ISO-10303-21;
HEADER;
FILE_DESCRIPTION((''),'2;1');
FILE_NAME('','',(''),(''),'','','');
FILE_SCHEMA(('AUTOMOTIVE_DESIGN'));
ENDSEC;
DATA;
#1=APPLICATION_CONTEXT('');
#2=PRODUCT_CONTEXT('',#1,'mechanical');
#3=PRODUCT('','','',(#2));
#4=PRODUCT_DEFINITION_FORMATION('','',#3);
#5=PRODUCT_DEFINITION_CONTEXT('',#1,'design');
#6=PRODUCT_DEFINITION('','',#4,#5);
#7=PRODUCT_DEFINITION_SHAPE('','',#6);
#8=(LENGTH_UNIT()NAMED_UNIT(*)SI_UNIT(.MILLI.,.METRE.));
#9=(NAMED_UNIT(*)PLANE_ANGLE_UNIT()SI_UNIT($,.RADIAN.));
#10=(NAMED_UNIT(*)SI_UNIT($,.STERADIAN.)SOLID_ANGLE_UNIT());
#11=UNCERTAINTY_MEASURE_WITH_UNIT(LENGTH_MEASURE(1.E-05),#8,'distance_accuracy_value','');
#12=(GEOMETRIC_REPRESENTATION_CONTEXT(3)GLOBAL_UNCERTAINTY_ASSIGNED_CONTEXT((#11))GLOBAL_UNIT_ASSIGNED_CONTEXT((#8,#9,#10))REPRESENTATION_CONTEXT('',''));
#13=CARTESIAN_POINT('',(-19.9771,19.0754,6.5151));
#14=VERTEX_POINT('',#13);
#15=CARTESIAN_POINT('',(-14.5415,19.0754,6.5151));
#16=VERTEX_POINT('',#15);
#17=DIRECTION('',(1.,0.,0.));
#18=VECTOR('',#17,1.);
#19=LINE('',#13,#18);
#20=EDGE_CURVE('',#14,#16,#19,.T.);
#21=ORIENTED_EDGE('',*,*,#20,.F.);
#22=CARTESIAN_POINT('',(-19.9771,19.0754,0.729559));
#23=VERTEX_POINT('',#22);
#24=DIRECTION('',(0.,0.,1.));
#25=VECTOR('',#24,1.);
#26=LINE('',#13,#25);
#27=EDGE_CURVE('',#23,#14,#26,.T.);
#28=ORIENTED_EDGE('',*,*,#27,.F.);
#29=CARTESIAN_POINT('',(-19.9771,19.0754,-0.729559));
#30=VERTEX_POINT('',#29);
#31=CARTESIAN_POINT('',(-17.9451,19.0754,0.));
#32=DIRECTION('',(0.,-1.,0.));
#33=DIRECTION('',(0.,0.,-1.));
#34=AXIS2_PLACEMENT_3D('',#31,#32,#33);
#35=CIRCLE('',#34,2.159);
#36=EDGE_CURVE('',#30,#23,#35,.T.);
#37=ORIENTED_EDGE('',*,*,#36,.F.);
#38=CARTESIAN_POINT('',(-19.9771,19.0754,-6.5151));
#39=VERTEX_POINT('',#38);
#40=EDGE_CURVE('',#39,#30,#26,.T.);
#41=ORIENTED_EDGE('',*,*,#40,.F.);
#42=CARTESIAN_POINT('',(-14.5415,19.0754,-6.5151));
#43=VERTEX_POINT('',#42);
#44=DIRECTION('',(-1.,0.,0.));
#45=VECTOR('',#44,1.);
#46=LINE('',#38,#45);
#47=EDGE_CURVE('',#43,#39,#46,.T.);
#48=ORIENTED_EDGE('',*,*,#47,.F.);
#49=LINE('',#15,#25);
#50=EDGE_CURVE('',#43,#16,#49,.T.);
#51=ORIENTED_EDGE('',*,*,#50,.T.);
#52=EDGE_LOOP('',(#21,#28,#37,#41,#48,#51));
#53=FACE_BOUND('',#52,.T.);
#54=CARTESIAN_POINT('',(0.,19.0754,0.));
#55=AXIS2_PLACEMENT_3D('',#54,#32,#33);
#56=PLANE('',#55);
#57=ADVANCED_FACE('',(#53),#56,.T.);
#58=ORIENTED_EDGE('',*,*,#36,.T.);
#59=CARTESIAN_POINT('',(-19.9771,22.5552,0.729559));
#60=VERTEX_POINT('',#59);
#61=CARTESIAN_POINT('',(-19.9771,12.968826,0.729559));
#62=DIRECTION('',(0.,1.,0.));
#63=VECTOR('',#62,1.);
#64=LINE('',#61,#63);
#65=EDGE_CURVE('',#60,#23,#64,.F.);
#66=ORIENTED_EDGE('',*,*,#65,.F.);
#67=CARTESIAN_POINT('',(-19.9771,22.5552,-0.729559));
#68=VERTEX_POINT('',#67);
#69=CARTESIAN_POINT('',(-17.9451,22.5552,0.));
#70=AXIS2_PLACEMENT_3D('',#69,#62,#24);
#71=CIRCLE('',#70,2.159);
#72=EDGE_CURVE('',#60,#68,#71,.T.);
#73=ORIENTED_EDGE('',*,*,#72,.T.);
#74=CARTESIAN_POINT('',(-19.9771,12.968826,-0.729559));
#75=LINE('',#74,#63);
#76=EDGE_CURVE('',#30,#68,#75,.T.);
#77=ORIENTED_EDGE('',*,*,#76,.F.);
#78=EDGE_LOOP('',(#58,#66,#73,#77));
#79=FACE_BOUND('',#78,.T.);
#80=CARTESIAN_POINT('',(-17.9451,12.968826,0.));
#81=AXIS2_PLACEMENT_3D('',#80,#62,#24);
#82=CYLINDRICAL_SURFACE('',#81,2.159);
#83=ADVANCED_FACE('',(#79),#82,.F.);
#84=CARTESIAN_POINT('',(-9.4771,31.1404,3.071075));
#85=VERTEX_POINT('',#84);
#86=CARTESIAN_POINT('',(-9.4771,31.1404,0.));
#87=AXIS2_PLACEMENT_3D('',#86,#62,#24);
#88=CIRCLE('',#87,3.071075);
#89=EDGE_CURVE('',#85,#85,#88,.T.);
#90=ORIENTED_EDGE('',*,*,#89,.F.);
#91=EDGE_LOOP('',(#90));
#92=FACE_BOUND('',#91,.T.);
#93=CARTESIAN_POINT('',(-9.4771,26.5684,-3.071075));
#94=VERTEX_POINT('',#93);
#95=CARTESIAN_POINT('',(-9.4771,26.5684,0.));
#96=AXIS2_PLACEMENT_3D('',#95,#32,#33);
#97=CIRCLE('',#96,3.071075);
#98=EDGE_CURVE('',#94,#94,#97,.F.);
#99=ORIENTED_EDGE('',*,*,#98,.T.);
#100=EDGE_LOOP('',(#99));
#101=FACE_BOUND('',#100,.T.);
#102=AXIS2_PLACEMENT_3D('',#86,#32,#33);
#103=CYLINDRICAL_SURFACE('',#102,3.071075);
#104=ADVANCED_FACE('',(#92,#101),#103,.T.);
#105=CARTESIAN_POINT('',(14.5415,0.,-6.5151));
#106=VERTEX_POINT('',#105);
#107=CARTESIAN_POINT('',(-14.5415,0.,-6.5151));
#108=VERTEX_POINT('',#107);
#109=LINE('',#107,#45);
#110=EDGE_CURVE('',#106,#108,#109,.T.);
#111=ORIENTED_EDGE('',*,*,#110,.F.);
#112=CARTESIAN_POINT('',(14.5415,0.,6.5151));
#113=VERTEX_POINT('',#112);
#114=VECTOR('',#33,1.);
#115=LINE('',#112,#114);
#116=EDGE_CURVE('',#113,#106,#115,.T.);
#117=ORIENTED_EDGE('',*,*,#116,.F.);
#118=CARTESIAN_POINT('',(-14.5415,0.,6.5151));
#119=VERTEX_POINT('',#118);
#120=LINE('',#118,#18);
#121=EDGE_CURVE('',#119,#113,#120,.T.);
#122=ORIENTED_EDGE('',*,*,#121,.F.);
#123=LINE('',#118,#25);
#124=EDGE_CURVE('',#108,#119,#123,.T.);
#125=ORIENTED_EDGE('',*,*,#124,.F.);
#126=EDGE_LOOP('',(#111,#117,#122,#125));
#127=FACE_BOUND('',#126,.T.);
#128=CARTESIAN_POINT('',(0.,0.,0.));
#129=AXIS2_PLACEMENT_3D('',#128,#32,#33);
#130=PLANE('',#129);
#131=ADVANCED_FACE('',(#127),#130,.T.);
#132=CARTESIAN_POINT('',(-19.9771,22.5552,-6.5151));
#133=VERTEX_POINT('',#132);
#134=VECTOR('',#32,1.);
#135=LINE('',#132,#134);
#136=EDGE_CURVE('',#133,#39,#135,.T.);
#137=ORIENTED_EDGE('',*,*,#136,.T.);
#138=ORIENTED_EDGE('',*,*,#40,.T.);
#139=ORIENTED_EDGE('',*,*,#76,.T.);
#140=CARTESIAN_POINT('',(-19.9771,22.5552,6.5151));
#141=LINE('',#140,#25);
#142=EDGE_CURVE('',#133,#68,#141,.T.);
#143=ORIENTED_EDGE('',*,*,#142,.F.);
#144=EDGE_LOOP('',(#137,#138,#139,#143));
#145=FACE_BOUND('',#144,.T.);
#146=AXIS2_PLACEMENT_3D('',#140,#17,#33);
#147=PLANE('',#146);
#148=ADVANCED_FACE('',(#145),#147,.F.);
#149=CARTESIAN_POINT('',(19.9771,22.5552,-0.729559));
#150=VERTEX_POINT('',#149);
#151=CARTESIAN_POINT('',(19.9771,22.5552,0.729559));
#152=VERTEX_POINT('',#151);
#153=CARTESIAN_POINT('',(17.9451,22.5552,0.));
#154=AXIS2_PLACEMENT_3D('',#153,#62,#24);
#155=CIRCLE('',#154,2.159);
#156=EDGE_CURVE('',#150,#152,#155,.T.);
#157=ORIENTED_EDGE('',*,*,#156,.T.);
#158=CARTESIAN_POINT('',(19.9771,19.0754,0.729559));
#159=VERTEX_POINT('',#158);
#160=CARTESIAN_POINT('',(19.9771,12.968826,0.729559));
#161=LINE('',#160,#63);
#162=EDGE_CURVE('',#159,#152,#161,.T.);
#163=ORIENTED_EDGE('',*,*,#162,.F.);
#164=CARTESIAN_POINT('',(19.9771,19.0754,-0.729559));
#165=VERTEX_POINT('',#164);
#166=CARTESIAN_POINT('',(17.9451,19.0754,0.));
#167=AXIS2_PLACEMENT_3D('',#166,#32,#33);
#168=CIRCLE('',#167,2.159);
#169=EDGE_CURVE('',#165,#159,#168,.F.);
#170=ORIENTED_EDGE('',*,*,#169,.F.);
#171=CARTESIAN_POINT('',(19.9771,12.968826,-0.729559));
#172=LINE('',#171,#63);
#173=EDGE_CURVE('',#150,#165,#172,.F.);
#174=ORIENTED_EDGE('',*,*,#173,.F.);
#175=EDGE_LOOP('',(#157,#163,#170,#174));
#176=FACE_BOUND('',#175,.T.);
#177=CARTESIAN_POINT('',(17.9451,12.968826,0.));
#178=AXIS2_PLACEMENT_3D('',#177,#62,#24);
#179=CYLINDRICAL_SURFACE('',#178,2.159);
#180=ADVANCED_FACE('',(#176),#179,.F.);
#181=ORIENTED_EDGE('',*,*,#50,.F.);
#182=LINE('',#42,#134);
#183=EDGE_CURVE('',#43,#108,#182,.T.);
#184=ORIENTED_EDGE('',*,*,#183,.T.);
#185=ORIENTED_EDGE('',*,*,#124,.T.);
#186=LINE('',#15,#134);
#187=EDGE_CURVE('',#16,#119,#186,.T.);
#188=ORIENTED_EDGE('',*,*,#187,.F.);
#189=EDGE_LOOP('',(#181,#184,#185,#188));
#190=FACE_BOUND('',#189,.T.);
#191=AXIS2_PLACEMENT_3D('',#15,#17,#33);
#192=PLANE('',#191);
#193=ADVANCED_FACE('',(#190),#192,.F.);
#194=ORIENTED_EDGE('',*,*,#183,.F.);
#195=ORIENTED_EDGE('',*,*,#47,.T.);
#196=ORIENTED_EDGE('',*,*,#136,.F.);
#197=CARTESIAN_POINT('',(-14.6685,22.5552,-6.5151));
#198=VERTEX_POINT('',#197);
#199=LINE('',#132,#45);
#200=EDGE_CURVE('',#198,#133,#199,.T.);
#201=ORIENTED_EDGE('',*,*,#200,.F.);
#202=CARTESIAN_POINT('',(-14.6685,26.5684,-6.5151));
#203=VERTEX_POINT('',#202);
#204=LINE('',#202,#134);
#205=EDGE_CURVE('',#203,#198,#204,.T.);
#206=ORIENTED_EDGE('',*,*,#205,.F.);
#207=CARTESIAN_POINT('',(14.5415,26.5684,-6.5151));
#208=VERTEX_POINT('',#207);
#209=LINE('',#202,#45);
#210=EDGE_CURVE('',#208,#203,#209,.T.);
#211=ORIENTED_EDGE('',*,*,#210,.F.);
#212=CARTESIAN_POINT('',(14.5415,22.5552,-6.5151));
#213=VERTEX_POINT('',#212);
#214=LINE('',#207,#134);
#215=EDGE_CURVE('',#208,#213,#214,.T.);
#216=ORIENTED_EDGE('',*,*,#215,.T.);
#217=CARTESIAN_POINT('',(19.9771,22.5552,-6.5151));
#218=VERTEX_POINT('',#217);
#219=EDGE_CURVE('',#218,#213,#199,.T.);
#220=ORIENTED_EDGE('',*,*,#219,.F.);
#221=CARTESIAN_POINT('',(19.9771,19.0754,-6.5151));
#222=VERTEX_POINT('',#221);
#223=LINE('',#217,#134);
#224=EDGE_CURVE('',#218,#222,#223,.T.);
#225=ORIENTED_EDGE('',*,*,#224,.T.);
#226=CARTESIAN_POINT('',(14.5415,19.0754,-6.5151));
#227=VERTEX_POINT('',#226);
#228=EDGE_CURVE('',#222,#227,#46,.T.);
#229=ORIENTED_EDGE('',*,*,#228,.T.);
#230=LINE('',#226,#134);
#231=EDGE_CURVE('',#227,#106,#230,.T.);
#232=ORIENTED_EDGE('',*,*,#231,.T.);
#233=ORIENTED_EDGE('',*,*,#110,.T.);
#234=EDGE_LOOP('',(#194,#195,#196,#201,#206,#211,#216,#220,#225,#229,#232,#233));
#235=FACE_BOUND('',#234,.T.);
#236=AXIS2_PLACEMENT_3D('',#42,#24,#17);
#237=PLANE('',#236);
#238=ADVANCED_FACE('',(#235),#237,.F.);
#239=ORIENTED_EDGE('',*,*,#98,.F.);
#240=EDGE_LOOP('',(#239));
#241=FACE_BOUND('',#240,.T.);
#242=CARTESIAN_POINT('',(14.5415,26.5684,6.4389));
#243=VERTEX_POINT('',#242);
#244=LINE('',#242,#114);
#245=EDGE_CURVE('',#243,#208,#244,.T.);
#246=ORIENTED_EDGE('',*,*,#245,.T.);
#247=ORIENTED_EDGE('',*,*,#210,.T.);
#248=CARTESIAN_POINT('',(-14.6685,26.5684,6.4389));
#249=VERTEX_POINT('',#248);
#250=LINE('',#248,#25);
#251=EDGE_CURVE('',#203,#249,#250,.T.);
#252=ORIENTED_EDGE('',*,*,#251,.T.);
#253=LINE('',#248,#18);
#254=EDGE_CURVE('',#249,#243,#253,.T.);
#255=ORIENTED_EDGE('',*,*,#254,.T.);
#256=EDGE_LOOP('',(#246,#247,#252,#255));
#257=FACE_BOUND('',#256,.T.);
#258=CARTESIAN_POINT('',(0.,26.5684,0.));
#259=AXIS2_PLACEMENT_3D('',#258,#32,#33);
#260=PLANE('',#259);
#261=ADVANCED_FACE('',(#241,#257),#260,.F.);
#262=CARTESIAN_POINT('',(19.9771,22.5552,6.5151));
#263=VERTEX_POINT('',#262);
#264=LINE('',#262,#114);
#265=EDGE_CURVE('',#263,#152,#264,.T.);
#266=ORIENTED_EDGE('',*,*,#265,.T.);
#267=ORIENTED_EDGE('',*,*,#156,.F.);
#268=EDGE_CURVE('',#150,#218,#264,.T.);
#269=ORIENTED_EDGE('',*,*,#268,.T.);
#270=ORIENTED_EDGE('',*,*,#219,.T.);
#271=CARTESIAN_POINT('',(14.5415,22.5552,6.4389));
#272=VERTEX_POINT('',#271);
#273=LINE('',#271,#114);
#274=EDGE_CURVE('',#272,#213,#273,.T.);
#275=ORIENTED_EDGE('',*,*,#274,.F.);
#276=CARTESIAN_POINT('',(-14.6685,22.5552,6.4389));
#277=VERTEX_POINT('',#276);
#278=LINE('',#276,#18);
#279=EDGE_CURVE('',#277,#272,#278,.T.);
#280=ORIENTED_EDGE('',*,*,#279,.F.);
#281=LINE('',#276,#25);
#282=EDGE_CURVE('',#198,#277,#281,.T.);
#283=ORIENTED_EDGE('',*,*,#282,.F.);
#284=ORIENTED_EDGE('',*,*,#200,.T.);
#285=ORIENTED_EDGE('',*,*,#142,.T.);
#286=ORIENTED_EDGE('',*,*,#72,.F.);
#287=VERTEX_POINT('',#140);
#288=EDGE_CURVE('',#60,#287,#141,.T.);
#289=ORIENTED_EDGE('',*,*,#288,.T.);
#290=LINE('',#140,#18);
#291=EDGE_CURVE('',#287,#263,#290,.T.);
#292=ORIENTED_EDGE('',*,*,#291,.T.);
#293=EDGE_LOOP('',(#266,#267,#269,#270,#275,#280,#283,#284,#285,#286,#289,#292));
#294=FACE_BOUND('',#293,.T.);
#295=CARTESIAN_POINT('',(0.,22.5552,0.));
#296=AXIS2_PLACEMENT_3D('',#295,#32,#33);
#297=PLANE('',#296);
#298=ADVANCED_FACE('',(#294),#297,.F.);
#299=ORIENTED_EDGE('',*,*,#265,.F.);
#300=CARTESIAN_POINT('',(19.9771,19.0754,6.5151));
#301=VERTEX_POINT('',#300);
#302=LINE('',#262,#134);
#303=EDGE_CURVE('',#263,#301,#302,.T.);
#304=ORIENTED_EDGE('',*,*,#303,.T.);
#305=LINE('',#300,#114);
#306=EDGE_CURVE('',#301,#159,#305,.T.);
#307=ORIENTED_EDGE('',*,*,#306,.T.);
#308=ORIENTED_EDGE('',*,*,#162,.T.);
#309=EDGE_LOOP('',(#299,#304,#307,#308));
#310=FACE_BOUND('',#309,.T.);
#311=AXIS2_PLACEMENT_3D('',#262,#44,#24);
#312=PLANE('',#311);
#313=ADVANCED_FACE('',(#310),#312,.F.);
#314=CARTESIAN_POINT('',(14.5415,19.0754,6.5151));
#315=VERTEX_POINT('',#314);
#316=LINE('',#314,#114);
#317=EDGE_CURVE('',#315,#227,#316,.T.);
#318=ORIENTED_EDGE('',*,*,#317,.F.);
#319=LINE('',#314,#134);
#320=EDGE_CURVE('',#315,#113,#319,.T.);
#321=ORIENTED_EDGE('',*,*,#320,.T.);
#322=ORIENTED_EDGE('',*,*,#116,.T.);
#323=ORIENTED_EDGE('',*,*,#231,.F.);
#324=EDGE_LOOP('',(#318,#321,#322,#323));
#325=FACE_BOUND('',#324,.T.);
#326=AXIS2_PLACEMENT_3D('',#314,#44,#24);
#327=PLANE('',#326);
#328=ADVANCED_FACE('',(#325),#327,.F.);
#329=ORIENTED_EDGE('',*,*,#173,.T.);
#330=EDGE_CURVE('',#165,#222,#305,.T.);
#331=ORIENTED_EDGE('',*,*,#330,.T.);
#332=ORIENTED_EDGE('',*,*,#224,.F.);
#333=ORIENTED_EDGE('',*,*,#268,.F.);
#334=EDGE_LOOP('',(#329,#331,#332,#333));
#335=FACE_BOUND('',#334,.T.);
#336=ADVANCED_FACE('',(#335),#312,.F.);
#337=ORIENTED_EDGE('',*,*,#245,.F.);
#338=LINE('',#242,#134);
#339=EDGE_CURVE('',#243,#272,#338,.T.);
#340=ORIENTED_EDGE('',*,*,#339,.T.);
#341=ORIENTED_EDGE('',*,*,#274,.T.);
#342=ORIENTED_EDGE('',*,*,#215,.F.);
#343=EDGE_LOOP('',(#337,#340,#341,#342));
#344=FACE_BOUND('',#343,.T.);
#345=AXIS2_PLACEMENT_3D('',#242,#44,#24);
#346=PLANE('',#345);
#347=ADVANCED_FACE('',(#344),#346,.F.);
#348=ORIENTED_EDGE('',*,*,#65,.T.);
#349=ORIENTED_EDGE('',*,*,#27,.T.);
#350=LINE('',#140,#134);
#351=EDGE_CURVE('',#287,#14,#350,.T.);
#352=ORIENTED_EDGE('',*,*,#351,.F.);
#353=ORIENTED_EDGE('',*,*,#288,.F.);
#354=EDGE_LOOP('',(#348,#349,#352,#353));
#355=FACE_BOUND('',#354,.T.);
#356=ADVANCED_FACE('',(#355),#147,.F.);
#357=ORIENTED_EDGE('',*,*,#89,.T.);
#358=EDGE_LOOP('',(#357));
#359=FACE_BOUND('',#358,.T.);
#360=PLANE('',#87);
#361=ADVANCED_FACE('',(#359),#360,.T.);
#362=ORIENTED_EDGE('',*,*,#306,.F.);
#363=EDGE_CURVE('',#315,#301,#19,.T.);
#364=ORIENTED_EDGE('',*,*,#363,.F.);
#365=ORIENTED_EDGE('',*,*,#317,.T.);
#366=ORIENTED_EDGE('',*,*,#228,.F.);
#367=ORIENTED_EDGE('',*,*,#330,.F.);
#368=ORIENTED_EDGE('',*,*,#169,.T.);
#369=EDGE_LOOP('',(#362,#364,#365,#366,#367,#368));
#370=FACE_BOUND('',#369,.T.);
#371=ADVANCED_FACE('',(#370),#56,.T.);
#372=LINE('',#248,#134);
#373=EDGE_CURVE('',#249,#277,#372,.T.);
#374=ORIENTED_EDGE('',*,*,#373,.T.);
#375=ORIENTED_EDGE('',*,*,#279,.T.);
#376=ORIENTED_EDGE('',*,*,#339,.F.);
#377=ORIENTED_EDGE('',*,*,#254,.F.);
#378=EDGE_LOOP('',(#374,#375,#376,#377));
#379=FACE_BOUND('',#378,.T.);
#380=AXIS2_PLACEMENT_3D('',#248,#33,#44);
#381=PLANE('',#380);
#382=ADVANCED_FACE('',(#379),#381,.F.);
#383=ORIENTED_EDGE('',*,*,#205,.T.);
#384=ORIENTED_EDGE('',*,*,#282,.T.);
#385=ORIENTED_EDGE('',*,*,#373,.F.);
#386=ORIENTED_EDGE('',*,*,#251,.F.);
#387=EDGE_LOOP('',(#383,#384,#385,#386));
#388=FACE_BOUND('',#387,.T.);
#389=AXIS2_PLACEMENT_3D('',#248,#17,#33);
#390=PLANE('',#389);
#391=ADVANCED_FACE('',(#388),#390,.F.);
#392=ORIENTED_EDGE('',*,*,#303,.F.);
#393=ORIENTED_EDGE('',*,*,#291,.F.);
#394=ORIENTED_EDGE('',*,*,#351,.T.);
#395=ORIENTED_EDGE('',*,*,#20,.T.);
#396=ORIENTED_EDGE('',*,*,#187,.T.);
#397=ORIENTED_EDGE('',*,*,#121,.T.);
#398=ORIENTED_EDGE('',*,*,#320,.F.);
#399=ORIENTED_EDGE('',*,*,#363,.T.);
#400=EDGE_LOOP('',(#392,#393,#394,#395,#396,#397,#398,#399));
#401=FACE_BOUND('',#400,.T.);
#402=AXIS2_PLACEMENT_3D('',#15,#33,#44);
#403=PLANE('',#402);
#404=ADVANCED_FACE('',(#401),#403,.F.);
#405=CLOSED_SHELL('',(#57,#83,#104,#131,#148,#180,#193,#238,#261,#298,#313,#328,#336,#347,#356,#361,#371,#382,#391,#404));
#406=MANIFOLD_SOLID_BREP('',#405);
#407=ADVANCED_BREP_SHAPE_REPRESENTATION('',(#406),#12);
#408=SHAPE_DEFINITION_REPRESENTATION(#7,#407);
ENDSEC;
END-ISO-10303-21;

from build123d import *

# Parameters (mm, degrees)
SKETCH1_W           = 29.083
SKETCH1_H           = 13.0302
BOSS_EXTRUDE1_DEPTH = 19.0754
SKETCH2_W           = 39.9542
SKETCH2_H           = 13.0302
BOSS_EXTRUDE2_DEPTH = 3.4798
SKETCH3_W           = 29.21
SKETCH3_H           = 12.954
BOSS_EXTRUDE3_DEPTH = 4.0132
SKETCH4_R           = 3.071074645
BOSS_EXTRUDE4_DEPTH = 4.572
SKETCH5_R           = 2.159
CUT_EXTRUDE1_DEPTH  = 3.4798


with BuildPart() as part:
    # Sketch1 → Boss-Extrude1 (new body)
    with BuildSketch(Plane(origin=(0, 0, 0), x_dir=(1, 0, 0), z_dir=(0, 1, 0))):
        Rectangle(SKETCH1_W, SKETCH1_H)
    extrude(amount=BOSS_EXTRUDE1_DEPTH)

    # Sketch2 → Boss-Extrude2 (add)
    with BuildSketch(Plane(origin=(0, 19.0754, 0), x_dir=(1, 0, 0), z_dir=(0, 1, 0))):
        Rectangle(SKETCH2_W, SKETCH2_H)
    extrude(amount=BOSS_EXTRUDE2_DEPTH)

    # Sketch3 → Boss-Extrude3 (add)
    with BuildSketch(Plane(origin=(0, 22.5552, 0), x_dir=(1, 0, 0), z_dir=(0, 1, 0))):
        with Locations((-0.0635, 0.0381)):
            Rectangle(SKETCH3_W, SKETCH3_H)
    extrude(amount=BOSS_EXTRUDE3_DEPTH)

    # Sketch4 → Boss-Extrude4 (add)
    with BuildSketch(Plane(origin=(0, 26.5684, 0), x_dir=(1, 0, 0), z_dir=(0, 1, 0))):
        with Locations(Location((-9.4771, 0, 0), (0, 0, 90))):
            Circle(SKETCH4_R)
    extrude(amount=BOSS_EXTRUDE4_DEPTH)

    # Sketch5 → Cut-Extrude1 (cut)
    with BuildSketch(Plane(origin=(0, 22.5552, 0), x_dir=(1, 0, 0), z_dir=(0, 1, 0))):
        with Locations((-17.9451, 0)):
            Circle(SKETCH5_R)
        with Locations((17.9451, 0)):
            Circle(SKETCH5_R)
    extrude(amount=-CUT_EXTRUDE1_DEPTH, mode=Mode.SUBTRACT)


solid = part.part
